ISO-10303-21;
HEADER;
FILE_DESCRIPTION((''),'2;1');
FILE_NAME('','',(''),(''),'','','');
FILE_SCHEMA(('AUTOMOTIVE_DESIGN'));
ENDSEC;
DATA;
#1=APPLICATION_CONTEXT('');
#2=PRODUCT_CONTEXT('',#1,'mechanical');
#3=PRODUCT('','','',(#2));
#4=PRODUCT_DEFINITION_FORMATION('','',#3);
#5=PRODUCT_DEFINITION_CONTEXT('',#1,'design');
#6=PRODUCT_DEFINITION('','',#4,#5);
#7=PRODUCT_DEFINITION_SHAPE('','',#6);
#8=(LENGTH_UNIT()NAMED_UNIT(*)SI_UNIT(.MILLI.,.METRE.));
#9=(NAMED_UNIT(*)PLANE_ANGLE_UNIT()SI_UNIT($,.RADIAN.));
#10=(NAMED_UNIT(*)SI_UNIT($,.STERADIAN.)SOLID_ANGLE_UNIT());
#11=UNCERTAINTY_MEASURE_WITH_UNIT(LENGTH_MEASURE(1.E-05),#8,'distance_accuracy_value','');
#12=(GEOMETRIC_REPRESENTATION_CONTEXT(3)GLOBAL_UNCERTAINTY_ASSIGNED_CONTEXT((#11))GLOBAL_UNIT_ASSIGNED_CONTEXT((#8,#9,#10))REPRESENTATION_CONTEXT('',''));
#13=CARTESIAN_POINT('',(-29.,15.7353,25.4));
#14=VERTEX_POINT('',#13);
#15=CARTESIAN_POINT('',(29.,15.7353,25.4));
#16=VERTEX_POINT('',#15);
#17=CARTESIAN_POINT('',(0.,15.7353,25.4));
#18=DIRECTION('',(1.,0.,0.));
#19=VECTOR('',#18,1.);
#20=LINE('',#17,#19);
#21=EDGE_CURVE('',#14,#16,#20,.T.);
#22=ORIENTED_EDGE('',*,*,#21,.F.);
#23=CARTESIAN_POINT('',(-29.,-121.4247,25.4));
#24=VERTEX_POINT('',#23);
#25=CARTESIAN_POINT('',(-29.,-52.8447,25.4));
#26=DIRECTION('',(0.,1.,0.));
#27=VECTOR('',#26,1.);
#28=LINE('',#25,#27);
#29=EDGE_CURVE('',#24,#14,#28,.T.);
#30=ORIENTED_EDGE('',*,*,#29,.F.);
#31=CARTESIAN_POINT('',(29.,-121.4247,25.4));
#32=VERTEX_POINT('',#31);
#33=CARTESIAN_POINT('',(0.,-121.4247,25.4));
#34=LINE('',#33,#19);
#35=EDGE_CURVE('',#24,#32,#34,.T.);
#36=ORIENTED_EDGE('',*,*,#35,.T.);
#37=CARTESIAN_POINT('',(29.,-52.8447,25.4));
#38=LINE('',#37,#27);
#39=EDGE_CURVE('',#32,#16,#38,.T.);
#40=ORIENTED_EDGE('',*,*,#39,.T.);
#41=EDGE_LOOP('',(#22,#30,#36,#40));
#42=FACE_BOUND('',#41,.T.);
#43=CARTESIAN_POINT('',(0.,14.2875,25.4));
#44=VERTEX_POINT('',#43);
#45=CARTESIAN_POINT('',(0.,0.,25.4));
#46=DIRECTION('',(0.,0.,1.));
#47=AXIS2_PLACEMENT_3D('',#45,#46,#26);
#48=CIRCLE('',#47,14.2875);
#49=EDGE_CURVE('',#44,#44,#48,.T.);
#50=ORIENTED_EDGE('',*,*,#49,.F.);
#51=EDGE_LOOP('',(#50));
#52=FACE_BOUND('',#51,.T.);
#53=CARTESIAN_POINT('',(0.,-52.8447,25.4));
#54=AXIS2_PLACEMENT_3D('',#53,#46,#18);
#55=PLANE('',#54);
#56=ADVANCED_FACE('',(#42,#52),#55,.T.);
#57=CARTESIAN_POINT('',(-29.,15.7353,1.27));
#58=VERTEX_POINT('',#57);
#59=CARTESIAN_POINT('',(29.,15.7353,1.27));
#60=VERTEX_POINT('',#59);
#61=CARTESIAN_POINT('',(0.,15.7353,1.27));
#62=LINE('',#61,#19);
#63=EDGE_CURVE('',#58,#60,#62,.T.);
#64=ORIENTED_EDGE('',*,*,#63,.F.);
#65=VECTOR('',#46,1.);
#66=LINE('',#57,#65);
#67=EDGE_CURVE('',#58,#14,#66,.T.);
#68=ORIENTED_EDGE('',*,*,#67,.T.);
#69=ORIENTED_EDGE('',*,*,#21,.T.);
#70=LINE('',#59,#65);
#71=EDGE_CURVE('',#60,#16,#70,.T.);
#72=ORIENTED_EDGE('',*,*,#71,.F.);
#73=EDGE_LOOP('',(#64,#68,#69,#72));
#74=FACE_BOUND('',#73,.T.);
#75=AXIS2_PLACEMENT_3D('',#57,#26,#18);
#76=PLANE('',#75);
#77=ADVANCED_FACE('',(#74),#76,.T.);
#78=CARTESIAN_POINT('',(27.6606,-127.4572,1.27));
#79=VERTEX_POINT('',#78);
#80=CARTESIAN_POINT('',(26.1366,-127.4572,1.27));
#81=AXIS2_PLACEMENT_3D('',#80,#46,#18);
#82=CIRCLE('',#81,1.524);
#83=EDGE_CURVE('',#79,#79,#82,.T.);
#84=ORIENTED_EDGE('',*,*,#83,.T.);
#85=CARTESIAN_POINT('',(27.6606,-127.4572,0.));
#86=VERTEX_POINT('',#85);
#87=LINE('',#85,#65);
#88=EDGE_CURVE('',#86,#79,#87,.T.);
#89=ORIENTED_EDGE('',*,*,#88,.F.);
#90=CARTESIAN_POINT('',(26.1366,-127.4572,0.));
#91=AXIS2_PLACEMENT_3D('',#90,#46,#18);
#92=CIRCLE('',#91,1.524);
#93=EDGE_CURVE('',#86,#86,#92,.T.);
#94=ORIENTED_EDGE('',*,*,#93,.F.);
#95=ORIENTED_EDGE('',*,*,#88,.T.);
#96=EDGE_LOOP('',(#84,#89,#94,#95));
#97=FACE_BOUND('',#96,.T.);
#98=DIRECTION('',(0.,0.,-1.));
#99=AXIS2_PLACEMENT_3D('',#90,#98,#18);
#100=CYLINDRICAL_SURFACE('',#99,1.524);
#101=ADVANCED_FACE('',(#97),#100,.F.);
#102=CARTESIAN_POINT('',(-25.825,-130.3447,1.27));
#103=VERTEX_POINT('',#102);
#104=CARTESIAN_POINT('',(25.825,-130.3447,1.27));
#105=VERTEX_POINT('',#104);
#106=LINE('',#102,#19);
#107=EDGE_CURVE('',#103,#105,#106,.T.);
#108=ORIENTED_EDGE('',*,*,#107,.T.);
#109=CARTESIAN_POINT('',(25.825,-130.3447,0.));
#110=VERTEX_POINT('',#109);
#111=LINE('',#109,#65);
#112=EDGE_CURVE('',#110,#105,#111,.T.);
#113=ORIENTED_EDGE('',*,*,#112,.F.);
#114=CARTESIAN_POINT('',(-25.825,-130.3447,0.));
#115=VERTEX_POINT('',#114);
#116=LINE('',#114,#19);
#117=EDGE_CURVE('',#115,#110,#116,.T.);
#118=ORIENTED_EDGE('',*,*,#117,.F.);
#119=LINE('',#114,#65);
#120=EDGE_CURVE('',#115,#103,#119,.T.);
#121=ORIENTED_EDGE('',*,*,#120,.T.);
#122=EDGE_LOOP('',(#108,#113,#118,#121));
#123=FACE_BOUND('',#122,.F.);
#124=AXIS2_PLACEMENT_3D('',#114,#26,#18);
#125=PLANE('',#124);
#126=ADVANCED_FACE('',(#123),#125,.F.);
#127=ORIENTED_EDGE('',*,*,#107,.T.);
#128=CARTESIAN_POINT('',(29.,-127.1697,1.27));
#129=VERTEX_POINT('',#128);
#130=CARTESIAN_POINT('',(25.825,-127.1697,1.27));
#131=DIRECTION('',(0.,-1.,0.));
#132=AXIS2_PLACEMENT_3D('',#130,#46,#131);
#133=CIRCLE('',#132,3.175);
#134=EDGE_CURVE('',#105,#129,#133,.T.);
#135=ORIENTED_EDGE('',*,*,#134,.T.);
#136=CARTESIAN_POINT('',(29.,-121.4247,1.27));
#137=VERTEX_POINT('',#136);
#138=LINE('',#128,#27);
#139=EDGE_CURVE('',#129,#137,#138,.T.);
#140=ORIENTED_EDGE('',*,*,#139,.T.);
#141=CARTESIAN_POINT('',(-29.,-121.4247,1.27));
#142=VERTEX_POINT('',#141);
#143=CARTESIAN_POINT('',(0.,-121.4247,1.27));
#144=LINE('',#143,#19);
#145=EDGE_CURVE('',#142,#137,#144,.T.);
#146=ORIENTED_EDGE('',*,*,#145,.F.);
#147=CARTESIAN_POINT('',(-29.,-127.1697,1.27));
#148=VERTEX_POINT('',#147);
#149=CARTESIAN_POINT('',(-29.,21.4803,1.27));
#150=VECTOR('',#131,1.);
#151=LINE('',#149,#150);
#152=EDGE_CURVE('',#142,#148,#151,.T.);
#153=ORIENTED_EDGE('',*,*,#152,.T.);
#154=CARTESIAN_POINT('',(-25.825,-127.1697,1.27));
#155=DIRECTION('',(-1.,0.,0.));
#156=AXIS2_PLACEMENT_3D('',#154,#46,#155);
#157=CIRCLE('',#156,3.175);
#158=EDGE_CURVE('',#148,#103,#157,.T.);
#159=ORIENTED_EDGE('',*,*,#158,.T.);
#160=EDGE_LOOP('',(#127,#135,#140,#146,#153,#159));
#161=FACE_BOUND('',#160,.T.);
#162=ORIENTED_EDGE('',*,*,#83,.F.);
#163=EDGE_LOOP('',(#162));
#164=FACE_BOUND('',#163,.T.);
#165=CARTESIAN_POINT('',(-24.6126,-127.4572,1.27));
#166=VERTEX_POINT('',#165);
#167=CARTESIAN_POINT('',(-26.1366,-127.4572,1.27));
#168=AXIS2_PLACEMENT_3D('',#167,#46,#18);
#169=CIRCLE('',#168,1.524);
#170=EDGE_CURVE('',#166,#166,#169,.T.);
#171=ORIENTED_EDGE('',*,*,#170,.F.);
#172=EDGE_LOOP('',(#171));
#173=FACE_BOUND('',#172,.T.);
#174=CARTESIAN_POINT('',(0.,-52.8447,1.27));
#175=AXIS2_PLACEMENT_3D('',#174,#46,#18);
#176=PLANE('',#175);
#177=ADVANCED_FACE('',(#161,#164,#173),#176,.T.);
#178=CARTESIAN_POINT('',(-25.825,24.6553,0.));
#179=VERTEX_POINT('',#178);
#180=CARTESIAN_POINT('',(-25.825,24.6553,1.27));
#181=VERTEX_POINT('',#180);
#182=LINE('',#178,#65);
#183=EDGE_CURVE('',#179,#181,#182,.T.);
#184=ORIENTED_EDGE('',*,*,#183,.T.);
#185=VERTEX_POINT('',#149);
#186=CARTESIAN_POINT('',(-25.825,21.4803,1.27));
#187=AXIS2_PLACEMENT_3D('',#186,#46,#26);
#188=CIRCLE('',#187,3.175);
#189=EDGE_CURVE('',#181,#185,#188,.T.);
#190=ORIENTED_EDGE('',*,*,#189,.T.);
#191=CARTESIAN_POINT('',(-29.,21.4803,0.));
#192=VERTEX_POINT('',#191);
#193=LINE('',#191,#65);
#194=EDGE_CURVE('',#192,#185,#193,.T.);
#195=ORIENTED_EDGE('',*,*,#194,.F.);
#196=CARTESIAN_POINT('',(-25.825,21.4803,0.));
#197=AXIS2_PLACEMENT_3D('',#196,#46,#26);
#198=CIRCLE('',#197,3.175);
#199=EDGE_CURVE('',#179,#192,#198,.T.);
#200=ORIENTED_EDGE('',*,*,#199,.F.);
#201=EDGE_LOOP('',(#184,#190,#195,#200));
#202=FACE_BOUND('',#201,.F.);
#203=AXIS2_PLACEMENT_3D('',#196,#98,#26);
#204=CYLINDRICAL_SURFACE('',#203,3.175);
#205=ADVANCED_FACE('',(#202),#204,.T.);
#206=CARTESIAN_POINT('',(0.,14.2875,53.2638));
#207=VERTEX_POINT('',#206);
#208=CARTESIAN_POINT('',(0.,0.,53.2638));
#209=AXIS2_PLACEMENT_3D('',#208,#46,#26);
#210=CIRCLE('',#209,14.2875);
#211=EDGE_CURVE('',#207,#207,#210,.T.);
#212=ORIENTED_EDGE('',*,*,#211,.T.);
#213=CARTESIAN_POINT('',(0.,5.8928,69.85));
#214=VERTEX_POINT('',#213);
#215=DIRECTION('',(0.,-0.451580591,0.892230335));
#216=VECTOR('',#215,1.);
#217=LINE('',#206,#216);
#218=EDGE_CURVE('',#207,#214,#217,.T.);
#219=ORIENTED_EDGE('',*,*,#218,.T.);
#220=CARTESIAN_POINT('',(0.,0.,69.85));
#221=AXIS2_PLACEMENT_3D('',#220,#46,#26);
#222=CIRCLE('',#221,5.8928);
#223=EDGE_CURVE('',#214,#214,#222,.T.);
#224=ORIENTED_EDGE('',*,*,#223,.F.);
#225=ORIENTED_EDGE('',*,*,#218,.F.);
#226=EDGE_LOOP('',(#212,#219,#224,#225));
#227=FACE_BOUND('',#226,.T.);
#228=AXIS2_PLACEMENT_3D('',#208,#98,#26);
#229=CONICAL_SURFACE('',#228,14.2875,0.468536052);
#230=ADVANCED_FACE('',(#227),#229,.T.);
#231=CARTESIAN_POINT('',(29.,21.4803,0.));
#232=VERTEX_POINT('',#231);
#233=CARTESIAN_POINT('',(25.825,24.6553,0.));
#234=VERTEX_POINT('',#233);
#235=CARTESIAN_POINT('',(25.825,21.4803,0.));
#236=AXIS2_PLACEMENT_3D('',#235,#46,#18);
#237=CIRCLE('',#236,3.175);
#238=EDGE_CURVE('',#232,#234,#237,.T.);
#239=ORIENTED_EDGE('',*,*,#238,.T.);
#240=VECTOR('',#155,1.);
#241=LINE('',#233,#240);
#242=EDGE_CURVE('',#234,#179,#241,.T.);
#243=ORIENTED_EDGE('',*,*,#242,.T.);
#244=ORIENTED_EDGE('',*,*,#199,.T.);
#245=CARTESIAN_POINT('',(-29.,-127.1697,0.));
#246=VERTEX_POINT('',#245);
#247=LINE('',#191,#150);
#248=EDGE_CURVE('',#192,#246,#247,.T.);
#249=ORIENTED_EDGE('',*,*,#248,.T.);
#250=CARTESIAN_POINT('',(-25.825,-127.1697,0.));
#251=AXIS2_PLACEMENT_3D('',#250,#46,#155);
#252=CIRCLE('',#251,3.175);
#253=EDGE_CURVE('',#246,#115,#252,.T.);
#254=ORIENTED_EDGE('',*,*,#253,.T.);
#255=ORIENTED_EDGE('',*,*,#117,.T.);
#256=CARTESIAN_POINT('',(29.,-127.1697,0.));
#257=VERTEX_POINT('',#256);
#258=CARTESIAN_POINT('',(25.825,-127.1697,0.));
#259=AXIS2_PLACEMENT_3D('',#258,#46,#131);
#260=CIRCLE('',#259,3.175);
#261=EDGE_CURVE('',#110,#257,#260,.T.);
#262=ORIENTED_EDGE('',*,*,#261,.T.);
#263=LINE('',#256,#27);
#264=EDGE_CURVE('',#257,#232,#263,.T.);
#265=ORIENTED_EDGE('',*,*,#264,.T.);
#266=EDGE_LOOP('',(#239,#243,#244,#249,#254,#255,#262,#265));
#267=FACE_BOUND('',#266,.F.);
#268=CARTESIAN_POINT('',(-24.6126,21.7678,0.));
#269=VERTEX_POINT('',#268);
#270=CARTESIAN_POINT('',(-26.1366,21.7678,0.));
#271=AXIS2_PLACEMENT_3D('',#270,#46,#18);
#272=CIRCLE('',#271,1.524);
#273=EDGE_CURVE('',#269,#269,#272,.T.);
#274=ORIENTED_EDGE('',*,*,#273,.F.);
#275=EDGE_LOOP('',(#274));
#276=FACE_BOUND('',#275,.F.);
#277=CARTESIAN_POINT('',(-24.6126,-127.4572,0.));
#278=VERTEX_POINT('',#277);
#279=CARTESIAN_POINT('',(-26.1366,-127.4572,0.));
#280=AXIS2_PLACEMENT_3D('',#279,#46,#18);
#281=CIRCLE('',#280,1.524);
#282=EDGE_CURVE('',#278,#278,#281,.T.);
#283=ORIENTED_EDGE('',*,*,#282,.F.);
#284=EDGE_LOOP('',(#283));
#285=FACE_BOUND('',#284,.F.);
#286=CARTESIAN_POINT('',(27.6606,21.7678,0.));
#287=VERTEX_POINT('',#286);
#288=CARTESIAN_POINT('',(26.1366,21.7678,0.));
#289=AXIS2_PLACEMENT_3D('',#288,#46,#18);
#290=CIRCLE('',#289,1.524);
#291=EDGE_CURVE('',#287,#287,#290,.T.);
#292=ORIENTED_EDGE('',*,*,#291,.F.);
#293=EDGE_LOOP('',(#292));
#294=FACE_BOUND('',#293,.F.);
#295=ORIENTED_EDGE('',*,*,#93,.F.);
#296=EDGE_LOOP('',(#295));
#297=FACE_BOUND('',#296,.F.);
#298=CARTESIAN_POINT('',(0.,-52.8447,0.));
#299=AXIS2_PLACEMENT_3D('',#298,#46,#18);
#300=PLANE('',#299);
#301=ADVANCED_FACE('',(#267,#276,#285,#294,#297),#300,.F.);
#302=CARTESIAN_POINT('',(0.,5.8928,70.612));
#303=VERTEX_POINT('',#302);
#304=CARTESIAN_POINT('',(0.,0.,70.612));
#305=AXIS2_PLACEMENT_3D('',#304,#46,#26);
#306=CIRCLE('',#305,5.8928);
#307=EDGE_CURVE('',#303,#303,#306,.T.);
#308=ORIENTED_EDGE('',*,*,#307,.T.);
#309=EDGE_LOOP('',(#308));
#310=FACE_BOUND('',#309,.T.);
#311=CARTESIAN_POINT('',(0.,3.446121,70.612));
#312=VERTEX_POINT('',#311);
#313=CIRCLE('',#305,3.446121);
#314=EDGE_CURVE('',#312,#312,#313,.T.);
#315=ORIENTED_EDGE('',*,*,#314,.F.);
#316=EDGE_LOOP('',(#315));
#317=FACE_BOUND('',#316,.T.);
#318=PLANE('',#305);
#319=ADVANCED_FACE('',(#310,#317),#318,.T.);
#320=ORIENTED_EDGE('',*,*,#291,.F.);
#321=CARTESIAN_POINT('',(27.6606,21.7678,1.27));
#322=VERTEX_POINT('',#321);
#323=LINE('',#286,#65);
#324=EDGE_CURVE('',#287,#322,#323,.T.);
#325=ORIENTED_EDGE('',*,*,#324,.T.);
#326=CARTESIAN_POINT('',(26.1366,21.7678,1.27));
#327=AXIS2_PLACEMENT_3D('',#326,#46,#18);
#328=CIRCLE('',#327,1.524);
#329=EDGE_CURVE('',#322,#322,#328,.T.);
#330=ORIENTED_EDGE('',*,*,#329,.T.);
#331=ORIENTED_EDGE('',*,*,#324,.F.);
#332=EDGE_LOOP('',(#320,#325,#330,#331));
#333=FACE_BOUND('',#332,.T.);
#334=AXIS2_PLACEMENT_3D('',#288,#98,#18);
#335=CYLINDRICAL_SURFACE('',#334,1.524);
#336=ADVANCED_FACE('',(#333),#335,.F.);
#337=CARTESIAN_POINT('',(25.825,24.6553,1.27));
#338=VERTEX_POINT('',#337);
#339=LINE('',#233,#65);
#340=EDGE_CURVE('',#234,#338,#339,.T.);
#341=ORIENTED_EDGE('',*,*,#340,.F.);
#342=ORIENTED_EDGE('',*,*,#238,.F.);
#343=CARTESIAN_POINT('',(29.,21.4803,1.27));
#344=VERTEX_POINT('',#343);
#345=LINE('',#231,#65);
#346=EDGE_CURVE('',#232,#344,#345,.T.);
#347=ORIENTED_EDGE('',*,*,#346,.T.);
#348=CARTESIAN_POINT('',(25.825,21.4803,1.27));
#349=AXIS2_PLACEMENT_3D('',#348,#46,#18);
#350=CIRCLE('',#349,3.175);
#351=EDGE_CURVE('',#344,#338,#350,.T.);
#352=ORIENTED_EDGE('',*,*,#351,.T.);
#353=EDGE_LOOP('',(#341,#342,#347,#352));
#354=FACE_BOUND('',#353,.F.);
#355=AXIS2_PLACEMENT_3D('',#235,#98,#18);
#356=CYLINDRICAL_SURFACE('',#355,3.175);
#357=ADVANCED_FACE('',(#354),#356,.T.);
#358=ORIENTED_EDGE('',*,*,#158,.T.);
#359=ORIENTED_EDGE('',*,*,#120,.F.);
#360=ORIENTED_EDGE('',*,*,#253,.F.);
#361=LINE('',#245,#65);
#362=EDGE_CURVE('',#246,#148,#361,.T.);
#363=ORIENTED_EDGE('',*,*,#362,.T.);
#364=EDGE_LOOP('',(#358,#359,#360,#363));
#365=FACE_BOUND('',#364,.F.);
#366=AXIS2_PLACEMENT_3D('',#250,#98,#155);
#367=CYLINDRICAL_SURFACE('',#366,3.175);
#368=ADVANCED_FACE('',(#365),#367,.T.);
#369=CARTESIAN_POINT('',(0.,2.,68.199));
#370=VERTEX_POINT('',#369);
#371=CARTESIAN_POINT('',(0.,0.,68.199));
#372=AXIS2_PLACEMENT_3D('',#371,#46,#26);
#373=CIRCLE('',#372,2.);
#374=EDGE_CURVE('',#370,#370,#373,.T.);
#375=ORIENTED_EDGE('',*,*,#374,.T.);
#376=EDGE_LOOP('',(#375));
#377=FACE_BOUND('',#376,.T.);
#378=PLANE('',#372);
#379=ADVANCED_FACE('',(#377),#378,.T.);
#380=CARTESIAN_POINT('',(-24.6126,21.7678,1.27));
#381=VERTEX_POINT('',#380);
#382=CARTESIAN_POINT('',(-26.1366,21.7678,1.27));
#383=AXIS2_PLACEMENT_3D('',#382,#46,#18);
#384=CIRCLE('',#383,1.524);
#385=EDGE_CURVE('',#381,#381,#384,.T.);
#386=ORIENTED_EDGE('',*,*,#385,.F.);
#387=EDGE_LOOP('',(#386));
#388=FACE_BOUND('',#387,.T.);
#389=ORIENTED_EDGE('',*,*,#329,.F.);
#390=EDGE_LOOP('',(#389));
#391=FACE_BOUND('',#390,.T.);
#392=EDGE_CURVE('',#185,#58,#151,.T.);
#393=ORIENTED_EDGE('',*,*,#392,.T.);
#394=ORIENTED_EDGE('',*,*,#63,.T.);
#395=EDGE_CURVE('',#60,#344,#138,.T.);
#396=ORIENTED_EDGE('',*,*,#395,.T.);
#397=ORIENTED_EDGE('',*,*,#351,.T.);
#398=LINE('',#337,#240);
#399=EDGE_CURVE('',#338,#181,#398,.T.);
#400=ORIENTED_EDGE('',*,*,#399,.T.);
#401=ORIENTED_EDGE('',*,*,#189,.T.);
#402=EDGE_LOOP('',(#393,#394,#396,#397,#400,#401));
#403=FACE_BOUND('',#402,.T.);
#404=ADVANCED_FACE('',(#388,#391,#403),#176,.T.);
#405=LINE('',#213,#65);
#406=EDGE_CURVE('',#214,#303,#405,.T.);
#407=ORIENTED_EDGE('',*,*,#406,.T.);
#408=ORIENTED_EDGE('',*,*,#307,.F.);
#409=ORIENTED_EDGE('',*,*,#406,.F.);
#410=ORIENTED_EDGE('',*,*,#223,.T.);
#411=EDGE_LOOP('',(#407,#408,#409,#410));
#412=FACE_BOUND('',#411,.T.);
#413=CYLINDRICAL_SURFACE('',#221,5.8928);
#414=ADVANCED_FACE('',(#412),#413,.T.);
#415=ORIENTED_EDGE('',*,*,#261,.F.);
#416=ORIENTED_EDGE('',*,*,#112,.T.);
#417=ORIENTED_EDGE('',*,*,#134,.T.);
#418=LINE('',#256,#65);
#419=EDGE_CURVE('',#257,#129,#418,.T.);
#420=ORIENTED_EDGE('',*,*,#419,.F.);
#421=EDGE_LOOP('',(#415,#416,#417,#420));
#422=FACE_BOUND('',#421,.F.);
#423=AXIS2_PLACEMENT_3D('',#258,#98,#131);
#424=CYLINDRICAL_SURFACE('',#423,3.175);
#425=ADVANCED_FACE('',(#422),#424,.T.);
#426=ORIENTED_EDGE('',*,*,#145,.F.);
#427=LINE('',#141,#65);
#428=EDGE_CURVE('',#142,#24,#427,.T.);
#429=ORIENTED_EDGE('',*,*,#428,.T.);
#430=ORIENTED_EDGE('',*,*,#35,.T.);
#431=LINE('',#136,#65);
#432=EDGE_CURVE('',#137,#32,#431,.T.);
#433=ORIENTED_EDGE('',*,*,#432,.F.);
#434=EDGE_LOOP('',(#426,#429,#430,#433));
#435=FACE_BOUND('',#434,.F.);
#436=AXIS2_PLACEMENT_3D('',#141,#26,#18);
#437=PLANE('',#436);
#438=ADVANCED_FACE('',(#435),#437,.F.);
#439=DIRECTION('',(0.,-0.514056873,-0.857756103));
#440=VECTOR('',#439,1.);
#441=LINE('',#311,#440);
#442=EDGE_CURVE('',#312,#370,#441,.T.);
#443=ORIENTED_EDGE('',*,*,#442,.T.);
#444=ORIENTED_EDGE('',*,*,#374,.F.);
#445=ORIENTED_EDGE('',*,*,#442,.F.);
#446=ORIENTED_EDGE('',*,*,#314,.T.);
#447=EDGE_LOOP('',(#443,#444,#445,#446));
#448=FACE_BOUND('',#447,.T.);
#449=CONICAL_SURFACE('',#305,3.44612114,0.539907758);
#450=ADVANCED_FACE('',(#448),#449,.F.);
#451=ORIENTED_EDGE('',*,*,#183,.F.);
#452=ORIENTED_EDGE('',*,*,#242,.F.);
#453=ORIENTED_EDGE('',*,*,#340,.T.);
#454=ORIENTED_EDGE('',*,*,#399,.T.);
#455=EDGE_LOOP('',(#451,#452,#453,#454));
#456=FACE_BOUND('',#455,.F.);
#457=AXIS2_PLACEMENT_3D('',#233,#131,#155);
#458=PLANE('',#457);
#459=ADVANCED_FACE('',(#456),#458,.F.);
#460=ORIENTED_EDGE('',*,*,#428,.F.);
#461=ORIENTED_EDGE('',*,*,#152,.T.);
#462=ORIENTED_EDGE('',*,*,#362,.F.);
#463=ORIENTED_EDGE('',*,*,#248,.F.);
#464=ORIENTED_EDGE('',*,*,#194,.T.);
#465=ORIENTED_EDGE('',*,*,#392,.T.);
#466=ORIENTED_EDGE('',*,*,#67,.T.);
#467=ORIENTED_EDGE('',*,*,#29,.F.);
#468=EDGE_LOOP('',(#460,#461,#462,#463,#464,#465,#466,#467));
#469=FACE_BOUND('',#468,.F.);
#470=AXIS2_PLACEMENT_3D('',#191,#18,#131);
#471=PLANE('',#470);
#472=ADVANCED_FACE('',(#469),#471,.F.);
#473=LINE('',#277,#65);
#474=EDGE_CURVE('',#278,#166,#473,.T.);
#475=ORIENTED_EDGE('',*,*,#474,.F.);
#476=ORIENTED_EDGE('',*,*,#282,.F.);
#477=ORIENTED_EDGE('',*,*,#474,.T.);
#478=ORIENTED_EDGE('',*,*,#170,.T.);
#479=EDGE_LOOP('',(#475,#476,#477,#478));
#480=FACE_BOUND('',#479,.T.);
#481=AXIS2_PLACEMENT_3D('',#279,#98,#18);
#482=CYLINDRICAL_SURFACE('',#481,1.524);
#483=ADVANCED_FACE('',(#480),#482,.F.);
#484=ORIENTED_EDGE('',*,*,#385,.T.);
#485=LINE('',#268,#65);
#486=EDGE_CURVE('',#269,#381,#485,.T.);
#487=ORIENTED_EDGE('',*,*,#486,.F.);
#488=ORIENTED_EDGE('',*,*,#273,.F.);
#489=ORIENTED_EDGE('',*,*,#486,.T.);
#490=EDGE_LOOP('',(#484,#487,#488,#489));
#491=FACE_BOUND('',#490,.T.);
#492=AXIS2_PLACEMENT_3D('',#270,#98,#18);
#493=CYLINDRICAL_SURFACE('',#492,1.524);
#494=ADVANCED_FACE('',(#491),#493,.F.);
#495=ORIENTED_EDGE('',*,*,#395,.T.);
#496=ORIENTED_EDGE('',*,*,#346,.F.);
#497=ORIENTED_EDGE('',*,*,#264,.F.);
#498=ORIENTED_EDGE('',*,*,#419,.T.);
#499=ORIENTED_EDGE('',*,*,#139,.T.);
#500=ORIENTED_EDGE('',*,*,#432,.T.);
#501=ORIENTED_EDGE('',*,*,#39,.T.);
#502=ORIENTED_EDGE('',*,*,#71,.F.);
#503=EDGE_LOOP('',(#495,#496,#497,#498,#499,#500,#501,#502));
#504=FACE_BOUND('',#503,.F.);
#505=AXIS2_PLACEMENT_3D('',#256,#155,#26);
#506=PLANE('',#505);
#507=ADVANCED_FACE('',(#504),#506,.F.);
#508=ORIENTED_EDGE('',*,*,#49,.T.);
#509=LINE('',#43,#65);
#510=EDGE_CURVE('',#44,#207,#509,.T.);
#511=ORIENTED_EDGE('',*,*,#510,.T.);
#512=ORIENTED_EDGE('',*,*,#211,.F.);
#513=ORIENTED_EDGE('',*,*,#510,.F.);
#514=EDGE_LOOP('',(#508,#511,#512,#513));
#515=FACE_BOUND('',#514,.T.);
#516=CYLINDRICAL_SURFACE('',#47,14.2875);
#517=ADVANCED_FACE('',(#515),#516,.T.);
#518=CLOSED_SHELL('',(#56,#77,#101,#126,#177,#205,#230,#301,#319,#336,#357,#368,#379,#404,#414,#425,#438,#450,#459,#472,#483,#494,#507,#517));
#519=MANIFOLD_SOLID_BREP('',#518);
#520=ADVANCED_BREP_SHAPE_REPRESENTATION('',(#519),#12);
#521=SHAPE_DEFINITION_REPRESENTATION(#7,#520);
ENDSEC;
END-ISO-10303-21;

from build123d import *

# Parameters (mm, degrees)
F0_W     = 58
F0_H     = 137.16
F0_R     = 1.524
F1_DEPTH = 1.27
F2_START = 1.27
F2_DEPTH = 24.13


with BuildPart() as f1:
    # F0 (on Top) → F1 (new body)
    with BuildSketch(Plane.XY):
        with Locations((0, -52.8447)):
            Rectangle(F0_W, F0_H)
        with BuildLine():
            Line((-29, 15.7353), (29, 15.7353))
            Line((29, 15.7353), (29, 21.4803))
            ThreePointArc((29, 21.4803), (28.0700640303, 23.7253640303), (25.825, 24.6553))
            Line((25.825, 24.6553), (-25.825, 24.6553))
            ThreePointArc((-25.825, 24.6553), (-28.0700640303, 23.7253640303), (-29, 21.4803))
            Line((-29, 21.4803), (-29, 15.7353))
        make_face()
        with Locations((-26.1366, 21.7678)):
            Circle(F0_R, mode=Mode.SUBTRACT)
        with Locations((26.1366, 21.7678)):
            Circle(F0_R, mode=Mode.SUBTRACT)
        with BuildLine():
            Line((-25.825, -130.3447), (25.825, -130.3447))
            ThreePointArc((25.825, -130.3447), (28.0700640303, -129.4147640303), (29, -127.1697))
            Line((29, -127.1697), (29, -121.4247))
            Line((29, -121.4247), (-29, -121.4247))
            Line((-29, -121.4247), (-29, -127.1697))
            ThreePointArc((-29, -127.1697), (-28.0700640303, -129.4147640303), (-25.825, -130.3447))
        make_face()
        with Locations((-26.1366, -127.4572)):
            Circle(F0_R, mode=Mode.SUBTRACT)
        with Locations((26.1366, -127.4572)):
            Circle(F0_R, mode=Mode.SUBTRACT)
    extrude(amount=F1_DEPTH)

    # F0 (on Top) → F2 (join)
    with BuildSketch(Plane.XY.offset(F2_START)):
        with Locations((0, -52.8447)):
            Rectangle(F0_W, F0_H)
    extrude(amount=F2_DEPTH)

    # F3 (on Right) → F4 (revolve)
    with BuildSketch(Plane.YZ):
        Polygon((5.8928, 70.612), (3.4461211403, 70.612), (2, 68.199), (0, 68.199), (0, 25.4), (14.2875, 25.4), (14.2875, 53.2638), (5.8928, 69.85), align=None)
    revolve(axis=Axis((0, 0, 43.7137000263), (0, 0, 1)))


solid = f1.part
